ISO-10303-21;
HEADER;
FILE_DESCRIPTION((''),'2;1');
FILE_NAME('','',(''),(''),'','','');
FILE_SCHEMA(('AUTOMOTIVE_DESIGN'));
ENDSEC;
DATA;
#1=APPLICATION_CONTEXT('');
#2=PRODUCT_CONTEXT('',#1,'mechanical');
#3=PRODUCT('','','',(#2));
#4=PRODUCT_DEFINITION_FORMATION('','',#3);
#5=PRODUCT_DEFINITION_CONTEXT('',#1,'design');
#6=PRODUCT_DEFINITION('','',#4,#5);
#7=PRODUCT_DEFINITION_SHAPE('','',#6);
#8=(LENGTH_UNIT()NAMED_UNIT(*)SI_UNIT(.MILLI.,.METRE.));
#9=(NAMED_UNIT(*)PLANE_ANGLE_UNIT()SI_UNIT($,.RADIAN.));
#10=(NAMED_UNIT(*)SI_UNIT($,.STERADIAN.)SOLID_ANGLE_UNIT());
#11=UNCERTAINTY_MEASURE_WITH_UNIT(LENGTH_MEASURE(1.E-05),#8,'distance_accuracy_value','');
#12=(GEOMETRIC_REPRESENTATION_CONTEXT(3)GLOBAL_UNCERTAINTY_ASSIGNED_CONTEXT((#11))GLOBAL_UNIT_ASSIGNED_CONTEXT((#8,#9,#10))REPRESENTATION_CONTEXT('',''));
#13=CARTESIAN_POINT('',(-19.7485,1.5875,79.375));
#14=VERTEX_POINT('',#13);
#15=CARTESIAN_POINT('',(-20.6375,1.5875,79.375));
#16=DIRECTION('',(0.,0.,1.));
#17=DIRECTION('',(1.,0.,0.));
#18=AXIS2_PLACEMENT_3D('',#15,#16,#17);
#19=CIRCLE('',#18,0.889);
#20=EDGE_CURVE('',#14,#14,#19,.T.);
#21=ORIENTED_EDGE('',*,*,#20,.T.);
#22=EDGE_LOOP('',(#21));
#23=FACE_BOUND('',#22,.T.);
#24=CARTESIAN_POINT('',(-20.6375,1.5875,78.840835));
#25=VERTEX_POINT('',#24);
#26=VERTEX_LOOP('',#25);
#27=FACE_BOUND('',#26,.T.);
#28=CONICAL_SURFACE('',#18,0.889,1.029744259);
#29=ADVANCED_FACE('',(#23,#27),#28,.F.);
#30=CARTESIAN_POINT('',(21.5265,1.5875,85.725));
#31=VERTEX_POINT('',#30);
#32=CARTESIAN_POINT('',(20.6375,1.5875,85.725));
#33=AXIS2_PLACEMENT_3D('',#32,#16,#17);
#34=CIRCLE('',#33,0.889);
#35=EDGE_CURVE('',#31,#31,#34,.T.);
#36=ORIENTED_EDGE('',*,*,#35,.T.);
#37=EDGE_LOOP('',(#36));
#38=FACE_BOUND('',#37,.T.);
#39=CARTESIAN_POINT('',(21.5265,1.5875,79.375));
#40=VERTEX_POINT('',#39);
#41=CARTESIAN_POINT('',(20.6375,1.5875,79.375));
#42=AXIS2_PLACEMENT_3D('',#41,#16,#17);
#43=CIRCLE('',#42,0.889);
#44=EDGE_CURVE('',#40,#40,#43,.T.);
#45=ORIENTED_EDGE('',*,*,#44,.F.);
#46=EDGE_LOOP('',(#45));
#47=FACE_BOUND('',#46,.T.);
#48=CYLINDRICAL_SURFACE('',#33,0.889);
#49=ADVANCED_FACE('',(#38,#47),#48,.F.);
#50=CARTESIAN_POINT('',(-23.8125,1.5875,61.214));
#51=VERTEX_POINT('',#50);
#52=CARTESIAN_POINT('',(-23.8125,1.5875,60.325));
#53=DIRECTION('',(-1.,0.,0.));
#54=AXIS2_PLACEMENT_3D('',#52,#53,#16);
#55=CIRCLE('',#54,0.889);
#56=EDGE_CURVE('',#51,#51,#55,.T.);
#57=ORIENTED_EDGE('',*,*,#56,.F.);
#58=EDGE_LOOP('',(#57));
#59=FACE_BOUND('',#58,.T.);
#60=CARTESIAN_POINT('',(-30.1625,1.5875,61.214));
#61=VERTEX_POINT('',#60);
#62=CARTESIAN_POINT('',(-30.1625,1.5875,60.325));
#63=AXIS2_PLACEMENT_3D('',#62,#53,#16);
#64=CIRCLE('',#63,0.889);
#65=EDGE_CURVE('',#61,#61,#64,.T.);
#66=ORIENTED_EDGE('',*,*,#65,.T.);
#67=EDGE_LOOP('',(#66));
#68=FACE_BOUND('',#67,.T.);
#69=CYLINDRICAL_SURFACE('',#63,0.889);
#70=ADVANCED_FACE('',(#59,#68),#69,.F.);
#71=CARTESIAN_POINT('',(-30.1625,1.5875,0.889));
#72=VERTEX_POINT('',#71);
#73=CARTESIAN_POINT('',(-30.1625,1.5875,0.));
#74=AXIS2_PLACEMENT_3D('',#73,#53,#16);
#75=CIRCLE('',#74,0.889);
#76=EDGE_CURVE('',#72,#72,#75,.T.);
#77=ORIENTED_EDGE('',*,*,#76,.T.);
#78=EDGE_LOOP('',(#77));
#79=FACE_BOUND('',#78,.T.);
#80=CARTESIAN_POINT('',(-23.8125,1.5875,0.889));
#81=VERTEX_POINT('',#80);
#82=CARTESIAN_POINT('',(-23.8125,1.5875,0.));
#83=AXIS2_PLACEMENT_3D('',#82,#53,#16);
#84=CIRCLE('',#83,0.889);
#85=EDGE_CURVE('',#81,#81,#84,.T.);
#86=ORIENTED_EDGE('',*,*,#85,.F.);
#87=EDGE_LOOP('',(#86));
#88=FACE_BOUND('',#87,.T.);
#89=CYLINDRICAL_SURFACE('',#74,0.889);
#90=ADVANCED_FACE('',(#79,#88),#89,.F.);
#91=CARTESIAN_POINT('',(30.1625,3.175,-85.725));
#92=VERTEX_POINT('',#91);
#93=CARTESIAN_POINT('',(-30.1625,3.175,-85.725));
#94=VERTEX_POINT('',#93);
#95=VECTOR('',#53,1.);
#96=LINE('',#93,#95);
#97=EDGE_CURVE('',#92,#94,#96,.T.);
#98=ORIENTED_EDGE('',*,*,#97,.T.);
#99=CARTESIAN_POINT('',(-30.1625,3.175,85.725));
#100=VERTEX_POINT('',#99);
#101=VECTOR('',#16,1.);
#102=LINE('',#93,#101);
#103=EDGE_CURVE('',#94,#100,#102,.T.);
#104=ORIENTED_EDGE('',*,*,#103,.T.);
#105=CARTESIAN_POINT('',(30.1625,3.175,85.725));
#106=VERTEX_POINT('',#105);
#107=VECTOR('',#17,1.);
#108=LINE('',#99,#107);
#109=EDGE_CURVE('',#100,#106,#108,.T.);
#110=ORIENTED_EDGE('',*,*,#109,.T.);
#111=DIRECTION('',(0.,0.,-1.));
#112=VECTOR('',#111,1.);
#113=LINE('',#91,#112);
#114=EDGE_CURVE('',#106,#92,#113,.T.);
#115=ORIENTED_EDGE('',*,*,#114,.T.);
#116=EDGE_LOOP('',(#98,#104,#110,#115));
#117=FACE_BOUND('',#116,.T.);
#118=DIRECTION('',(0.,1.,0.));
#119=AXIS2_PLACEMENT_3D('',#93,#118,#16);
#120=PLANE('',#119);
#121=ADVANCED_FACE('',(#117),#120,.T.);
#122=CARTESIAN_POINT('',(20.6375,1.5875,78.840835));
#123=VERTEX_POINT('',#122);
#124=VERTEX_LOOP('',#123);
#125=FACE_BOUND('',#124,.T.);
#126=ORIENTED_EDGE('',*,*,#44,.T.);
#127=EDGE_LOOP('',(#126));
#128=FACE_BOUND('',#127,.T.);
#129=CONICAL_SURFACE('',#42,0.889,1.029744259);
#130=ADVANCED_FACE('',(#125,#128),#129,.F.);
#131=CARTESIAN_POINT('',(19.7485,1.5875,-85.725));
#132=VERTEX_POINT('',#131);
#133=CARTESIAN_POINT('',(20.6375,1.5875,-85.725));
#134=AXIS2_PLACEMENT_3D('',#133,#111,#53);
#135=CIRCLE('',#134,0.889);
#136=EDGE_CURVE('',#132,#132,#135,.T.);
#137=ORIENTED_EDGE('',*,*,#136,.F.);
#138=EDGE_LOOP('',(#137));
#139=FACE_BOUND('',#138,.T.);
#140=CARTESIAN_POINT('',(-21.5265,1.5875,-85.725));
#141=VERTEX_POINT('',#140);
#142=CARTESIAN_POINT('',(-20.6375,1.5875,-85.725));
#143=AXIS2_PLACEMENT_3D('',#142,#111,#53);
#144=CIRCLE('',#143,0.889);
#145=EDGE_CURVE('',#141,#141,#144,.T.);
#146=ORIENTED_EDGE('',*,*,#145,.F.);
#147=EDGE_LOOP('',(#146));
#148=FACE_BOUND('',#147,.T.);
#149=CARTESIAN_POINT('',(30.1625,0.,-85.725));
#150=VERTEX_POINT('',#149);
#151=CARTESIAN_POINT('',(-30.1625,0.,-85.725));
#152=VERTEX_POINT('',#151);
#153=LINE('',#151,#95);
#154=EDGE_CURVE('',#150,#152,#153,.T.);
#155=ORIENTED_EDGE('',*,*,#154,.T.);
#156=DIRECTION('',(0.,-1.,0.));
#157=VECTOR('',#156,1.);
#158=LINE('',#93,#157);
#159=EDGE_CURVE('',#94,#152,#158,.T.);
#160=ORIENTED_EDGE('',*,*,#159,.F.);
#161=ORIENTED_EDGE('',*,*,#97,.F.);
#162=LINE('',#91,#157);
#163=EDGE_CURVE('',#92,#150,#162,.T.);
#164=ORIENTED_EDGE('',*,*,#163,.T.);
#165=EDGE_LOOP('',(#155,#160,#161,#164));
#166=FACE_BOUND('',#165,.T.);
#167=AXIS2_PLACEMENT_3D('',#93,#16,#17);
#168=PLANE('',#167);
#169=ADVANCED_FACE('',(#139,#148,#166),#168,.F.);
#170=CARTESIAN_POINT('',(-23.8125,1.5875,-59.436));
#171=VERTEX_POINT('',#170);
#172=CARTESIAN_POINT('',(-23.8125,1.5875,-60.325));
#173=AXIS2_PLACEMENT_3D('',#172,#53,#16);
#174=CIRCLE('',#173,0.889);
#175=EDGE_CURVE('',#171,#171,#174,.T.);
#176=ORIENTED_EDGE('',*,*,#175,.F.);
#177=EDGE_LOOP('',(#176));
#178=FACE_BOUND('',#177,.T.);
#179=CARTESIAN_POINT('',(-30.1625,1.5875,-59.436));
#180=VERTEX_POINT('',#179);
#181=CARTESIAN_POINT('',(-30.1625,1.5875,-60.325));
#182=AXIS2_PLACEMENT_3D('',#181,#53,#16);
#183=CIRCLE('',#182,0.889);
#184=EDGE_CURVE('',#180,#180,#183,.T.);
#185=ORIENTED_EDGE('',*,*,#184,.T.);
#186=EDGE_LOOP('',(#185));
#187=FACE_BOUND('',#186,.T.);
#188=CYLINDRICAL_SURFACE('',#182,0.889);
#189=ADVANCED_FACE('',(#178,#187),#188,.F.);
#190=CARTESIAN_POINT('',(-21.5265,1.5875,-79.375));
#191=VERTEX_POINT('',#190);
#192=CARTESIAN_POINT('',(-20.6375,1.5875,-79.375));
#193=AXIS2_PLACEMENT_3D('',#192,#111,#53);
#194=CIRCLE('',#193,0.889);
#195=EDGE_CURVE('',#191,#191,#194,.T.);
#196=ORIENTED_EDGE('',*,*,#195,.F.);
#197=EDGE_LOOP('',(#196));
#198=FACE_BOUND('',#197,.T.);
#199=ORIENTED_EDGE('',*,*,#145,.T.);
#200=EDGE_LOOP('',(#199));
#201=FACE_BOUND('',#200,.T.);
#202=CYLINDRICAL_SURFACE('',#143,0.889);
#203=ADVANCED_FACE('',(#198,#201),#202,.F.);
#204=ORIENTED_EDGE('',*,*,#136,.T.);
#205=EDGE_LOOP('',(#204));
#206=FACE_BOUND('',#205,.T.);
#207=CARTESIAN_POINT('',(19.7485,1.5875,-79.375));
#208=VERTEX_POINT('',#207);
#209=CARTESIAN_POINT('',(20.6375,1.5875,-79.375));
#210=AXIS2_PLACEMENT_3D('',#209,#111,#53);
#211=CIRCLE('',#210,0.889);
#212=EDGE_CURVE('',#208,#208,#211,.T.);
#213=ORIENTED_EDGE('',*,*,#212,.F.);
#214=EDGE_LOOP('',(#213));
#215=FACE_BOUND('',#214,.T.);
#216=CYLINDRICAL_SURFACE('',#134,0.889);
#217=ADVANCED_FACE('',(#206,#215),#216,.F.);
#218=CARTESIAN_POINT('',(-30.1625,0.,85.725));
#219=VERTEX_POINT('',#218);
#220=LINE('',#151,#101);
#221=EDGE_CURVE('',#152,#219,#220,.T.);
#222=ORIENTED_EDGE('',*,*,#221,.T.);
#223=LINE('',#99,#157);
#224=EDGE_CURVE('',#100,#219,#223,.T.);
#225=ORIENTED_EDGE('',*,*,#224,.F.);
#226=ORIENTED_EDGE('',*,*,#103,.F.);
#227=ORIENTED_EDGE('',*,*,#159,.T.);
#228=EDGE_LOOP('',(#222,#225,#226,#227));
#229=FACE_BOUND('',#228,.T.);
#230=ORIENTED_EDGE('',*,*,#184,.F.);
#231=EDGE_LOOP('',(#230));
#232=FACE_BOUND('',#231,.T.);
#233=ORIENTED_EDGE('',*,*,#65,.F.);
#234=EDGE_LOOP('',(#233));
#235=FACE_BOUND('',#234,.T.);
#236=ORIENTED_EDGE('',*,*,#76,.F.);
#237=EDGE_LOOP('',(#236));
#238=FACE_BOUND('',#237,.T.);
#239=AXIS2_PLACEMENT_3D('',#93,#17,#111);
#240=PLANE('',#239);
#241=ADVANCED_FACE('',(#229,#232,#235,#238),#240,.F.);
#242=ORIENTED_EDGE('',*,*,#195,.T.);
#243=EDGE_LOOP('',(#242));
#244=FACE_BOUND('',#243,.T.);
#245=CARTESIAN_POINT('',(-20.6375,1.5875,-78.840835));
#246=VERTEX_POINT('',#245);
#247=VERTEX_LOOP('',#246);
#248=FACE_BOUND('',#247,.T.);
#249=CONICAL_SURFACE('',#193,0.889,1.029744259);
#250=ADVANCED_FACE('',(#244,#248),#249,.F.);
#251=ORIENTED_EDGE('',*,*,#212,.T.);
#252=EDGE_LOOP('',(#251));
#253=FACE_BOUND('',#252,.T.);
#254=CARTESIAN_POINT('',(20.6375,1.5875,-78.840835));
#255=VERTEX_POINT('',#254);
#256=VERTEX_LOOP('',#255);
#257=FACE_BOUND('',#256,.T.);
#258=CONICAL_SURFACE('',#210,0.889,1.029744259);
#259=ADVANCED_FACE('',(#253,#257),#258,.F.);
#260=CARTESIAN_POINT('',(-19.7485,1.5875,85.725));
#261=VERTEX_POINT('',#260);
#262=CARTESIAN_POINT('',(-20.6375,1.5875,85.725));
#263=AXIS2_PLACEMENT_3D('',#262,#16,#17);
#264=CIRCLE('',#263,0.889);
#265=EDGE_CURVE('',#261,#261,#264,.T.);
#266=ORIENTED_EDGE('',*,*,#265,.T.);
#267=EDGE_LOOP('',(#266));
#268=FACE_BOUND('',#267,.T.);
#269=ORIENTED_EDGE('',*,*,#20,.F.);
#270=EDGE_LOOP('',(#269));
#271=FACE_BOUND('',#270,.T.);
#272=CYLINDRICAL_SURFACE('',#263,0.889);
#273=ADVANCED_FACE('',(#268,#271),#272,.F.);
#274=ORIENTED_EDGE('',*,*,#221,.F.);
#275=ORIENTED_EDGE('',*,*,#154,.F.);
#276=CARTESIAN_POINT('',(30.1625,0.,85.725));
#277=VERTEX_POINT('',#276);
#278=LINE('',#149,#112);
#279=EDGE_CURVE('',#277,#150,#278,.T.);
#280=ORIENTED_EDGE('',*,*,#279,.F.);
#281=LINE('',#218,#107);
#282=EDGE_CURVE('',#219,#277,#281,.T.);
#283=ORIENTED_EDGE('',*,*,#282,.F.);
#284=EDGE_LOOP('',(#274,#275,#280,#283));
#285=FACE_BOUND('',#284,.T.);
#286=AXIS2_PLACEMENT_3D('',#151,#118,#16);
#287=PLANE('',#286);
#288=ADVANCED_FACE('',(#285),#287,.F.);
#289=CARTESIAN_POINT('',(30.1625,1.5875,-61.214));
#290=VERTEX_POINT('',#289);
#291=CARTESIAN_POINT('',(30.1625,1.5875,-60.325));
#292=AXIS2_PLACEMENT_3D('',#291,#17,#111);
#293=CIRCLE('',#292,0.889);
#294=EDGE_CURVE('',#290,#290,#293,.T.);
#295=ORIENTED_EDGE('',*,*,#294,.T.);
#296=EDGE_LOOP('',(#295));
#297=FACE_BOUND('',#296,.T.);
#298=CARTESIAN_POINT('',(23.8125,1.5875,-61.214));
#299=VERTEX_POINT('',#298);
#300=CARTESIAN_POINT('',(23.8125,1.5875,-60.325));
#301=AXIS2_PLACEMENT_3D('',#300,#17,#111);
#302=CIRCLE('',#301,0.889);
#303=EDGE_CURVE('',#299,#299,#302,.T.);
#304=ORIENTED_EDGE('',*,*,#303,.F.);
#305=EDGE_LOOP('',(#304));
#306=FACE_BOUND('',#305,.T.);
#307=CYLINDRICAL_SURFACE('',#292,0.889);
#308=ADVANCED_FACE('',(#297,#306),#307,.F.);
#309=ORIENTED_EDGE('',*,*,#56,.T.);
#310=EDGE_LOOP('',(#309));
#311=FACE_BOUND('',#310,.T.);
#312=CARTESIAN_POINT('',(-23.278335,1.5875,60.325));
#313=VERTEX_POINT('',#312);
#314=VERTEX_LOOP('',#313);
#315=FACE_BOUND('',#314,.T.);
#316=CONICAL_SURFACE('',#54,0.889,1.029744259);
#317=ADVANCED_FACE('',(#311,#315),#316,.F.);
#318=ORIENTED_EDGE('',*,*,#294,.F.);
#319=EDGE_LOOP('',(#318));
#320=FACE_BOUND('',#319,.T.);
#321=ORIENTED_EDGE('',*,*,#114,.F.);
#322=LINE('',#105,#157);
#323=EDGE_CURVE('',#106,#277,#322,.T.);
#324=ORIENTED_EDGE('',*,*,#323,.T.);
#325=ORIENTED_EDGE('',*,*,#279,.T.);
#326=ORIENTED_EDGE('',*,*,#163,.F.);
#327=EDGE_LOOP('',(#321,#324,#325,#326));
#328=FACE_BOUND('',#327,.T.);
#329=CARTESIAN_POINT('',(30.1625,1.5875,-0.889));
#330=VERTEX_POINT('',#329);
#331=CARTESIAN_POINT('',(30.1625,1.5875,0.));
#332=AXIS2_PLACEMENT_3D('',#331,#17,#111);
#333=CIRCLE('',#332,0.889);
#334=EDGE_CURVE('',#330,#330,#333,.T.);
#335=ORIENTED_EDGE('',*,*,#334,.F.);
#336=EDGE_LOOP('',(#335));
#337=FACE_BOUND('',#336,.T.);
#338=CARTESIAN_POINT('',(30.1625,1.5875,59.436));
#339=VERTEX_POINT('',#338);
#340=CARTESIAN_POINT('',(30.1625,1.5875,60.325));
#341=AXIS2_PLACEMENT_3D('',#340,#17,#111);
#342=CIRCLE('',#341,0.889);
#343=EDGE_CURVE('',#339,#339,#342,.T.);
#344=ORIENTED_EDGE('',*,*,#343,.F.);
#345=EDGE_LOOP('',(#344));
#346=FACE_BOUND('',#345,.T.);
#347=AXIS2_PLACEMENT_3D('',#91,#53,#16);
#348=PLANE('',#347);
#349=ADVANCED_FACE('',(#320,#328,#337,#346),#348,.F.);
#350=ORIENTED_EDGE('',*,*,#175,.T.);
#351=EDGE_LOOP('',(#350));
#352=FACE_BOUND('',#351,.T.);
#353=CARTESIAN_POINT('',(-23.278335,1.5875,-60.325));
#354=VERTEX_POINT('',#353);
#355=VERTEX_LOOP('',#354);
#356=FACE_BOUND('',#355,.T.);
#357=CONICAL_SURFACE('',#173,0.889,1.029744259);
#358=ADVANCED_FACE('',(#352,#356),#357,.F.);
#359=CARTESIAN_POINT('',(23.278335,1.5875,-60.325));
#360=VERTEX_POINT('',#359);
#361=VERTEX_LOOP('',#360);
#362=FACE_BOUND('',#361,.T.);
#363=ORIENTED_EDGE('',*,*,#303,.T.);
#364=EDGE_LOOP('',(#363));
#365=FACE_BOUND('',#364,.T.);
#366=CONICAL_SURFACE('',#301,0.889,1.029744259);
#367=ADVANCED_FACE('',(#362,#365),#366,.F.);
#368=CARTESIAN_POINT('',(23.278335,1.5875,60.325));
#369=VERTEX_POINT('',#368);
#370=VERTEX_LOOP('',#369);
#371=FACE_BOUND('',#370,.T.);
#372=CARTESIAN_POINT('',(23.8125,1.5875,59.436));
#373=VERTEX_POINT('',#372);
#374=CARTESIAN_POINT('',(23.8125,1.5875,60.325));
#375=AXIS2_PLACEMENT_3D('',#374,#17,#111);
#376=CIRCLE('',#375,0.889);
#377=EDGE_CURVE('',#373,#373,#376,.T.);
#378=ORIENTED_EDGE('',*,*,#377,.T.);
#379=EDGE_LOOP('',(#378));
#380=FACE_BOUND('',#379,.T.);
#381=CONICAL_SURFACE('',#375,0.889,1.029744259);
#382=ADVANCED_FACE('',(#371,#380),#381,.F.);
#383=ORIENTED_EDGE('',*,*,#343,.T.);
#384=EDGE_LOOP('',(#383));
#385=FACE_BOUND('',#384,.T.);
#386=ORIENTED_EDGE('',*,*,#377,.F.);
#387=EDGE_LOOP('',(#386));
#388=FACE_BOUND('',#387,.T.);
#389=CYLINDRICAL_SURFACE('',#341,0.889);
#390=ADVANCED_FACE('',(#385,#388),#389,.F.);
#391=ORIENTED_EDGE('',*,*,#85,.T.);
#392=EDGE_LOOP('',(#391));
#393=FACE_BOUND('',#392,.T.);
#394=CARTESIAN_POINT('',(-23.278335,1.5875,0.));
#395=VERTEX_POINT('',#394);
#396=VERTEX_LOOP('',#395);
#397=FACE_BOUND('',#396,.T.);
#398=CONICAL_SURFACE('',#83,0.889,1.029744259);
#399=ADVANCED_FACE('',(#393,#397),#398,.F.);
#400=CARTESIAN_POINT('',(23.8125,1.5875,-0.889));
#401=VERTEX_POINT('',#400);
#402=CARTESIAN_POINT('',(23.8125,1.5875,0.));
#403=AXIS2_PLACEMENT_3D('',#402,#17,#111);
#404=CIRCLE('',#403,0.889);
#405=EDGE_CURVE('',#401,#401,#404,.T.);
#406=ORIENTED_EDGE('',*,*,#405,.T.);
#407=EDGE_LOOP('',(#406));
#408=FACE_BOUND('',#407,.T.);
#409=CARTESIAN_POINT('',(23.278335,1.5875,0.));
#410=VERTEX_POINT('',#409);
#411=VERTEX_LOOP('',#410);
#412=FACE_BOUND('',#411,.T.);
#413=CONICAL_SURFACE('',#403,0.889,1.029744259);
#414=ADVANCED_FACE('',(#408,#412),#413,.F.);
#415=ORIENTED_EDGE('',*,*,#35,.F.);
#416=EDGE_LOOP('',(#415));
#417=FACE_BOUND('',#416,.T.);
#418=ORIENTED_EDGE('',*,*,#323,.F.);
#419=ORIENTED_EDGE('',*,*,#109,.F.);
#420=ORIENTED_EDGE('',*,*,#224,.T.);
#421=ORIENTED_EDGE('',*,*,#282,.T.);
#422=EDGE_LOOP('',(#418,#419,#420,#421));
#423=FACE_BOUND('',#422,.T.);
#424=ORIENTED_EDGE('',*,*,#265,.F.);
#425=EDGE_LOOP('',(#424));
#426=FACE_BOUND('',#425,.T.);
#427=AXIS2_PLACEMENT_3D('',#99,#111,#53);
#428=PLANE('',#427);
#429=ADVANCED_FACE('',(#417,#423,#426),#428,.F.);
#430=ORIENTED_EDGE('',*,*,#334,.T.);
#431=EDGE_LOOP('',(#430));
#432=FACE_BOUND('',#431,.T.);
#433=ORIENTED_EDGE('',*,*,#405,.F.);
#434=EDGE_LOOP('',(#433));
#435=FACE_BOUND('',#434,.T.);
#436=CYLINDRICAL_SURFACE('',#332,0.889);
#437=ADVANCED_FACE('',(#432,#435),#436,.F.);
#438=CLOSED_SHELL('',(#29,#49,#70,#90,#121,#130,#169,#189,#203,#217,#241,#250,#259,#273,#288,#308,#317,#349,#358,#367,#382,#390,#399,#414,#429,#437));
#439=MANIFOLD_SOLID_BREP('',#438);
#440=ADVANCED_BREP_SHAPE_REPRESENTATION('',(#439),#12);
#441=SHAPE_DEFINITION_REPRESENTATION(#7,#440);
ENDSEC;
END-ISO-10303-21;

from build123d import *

# Parameters (mm, degrees)
SKETCH1_W                            = 60.325
SKETCH1_H                            = 171.45
EXTRUDE1_DEPTH                       = 3.175
TAP_DRILL_FOR_2_TAP2_D               = 1.778
TAP_DRILL_FOR_2_TAP2_DEPTH           = 6.35
TAP_DRILL_FOR_2_TAP2_TIP             = 0.53416509
TAP_DRILL_FOR_2_TAP4_D               = 1.778
TAP_DRILL_FOR_2_TAP4_DEPTH           = 6.35
TAP_DRILL_FOR_2_TAP4_TIP             = 0.53416509
TAP_DRILL_FOR_2_TAP5_D               = 1.778
TAP_DRILL_FOR_2_TAP5_DEPTH           = 6.35
TAP_DRILL_FOR_2_TAP5_TIP             = 0.53416509
TAP_DRILL_FOR_2_TAP5_ON_FACE_2_D     = 1.778
TAP_DRILL_FOR_2_TAP5_ON_FACE_2_DEPTH = 6.35
TAP_DRILL_FOR_2_TAP5_ON_FACE_2_TIP   = 0.53416509


with BuildPart() as part:
    # Sketch1 → Extrude1 (new body)
    with BuildSketch(Plane(origin=(0, 0, 0), x_dir=(1, 0, 0), z_dir=(0, 1, 0))):
        Rectangle(SKETCH1_W, SKETCH1_H)
    extrude(amount=EXTRUDE1_DEPTH)

    # Tap Drill for #2 Tap2
    with Locations(Plane(origin=(-20.6375, 1.5875, 85.725), x_dir=(1, 0, 0), z_dir=(0, 0, 1))):
        with Locations((0, 0), (41.275, 0)):
            Hole(TAP_DRILL_FOR_2_TAP2_D / 2, depth=TAP_DRILL_FOR_2_TAP2_DEPTH)
            with Locations((0, 0, -(TAP_DRILL_FOR_2_TAP2_DEPTH + TAP_DRILL_FOR_2_TAP2_TIP / 2))):  # 118° drill point
                Cone(0, TAP_DRILL_FOR_2_TAP2_D / 2, TAP_DRILL_FOR_2_TAP2_TIP, mode=Mode.SUBTRACT)

    # Tap Drill for #2 Tap4
    with Locations(Plane(origin=(20.6375, 1.5875, -85.725), x_dir=(-1, 0, 0), z_dir=(0, 0, -1))):
        with Locations((0, 0), (41.275, 0)):
            Hole(TAP_DRILL_FOR_2_TAP4_D / 2, depth=TAP_DRILL_FOR_2_TAP4_DEPTH)
            with Locations((0, 0, -(TAP_DRILL_FOR_2_TAP4_DEPTH + TAP_DRILL_FOR_2_TAP4_TIP / 2))):  # 118° drill point
                Cone(0, TAP_DRILL_FOR_2_TAP4_D / 2, TAP_DRILL_FOR_2_TAP4_TIP, mode=Mode.SUBTRACT)

    # Tap Drill for #2 Tap5
    with Locations(Plane(origin=(-30.1625, 1.5875, -60.325), x_dir=(0, 0, -1), z_dir=(-1, 0, 0))):
        with Locations((0, 0), (-120.65, 0), (-60.325, 0)):
            Hole(TAP_DRILL_FOR_2_TAP5_D / 2, depth=TAP_DRILL_FOR_2_TAP5_DEPTH)
            with Locations((0, 0, -(TAP_DRILL_FOR_2_TAP5_DEPTH + TAP_DRILL_FOR_2_TAP5_TIP / 2))):  # 118° drill point
                Cone(0, TAP_DRILL_FOR_2_TAP5_D / 2, TAP_DRILL_FOR_2_TAP5_TIP, mode=Mode.SUBTRACT)

    # Tap Drill for #2 Tap5 on face 2
    with Locations(Plane(origin=(30.1625, 1.5875, -60.325), x_dir=(0, 0, 1), z_dir=(1, 0, 0))):
        with Locations((0, 0), (120.65, 0), (60.325, 0)):
            Hole(TAP_DRILL_FOR_2_TAP5_ON_FACE_2_D / 2, depth=TAP_DRILL_FOR_2_TAP5_ON_FACE_2_DEPTH)
            with Locations((0, 0, -(TAP_DRILL_FOR_2_TAP5_ON_FACE_2_DEPTH + TAP_DRILL_FOR_2_TAP5_ON_FACE_2_TIP / 2))):  # 118° drill point
                Cone(0, TAP_DRILL_FOR_2_TAP5_ON_FACE_2_D / 2, TAP_DRILL_FOR_2_TAP5_ON_FACE_2_TIP, mode=Mode.SUBTRACT)


solid = part.part
